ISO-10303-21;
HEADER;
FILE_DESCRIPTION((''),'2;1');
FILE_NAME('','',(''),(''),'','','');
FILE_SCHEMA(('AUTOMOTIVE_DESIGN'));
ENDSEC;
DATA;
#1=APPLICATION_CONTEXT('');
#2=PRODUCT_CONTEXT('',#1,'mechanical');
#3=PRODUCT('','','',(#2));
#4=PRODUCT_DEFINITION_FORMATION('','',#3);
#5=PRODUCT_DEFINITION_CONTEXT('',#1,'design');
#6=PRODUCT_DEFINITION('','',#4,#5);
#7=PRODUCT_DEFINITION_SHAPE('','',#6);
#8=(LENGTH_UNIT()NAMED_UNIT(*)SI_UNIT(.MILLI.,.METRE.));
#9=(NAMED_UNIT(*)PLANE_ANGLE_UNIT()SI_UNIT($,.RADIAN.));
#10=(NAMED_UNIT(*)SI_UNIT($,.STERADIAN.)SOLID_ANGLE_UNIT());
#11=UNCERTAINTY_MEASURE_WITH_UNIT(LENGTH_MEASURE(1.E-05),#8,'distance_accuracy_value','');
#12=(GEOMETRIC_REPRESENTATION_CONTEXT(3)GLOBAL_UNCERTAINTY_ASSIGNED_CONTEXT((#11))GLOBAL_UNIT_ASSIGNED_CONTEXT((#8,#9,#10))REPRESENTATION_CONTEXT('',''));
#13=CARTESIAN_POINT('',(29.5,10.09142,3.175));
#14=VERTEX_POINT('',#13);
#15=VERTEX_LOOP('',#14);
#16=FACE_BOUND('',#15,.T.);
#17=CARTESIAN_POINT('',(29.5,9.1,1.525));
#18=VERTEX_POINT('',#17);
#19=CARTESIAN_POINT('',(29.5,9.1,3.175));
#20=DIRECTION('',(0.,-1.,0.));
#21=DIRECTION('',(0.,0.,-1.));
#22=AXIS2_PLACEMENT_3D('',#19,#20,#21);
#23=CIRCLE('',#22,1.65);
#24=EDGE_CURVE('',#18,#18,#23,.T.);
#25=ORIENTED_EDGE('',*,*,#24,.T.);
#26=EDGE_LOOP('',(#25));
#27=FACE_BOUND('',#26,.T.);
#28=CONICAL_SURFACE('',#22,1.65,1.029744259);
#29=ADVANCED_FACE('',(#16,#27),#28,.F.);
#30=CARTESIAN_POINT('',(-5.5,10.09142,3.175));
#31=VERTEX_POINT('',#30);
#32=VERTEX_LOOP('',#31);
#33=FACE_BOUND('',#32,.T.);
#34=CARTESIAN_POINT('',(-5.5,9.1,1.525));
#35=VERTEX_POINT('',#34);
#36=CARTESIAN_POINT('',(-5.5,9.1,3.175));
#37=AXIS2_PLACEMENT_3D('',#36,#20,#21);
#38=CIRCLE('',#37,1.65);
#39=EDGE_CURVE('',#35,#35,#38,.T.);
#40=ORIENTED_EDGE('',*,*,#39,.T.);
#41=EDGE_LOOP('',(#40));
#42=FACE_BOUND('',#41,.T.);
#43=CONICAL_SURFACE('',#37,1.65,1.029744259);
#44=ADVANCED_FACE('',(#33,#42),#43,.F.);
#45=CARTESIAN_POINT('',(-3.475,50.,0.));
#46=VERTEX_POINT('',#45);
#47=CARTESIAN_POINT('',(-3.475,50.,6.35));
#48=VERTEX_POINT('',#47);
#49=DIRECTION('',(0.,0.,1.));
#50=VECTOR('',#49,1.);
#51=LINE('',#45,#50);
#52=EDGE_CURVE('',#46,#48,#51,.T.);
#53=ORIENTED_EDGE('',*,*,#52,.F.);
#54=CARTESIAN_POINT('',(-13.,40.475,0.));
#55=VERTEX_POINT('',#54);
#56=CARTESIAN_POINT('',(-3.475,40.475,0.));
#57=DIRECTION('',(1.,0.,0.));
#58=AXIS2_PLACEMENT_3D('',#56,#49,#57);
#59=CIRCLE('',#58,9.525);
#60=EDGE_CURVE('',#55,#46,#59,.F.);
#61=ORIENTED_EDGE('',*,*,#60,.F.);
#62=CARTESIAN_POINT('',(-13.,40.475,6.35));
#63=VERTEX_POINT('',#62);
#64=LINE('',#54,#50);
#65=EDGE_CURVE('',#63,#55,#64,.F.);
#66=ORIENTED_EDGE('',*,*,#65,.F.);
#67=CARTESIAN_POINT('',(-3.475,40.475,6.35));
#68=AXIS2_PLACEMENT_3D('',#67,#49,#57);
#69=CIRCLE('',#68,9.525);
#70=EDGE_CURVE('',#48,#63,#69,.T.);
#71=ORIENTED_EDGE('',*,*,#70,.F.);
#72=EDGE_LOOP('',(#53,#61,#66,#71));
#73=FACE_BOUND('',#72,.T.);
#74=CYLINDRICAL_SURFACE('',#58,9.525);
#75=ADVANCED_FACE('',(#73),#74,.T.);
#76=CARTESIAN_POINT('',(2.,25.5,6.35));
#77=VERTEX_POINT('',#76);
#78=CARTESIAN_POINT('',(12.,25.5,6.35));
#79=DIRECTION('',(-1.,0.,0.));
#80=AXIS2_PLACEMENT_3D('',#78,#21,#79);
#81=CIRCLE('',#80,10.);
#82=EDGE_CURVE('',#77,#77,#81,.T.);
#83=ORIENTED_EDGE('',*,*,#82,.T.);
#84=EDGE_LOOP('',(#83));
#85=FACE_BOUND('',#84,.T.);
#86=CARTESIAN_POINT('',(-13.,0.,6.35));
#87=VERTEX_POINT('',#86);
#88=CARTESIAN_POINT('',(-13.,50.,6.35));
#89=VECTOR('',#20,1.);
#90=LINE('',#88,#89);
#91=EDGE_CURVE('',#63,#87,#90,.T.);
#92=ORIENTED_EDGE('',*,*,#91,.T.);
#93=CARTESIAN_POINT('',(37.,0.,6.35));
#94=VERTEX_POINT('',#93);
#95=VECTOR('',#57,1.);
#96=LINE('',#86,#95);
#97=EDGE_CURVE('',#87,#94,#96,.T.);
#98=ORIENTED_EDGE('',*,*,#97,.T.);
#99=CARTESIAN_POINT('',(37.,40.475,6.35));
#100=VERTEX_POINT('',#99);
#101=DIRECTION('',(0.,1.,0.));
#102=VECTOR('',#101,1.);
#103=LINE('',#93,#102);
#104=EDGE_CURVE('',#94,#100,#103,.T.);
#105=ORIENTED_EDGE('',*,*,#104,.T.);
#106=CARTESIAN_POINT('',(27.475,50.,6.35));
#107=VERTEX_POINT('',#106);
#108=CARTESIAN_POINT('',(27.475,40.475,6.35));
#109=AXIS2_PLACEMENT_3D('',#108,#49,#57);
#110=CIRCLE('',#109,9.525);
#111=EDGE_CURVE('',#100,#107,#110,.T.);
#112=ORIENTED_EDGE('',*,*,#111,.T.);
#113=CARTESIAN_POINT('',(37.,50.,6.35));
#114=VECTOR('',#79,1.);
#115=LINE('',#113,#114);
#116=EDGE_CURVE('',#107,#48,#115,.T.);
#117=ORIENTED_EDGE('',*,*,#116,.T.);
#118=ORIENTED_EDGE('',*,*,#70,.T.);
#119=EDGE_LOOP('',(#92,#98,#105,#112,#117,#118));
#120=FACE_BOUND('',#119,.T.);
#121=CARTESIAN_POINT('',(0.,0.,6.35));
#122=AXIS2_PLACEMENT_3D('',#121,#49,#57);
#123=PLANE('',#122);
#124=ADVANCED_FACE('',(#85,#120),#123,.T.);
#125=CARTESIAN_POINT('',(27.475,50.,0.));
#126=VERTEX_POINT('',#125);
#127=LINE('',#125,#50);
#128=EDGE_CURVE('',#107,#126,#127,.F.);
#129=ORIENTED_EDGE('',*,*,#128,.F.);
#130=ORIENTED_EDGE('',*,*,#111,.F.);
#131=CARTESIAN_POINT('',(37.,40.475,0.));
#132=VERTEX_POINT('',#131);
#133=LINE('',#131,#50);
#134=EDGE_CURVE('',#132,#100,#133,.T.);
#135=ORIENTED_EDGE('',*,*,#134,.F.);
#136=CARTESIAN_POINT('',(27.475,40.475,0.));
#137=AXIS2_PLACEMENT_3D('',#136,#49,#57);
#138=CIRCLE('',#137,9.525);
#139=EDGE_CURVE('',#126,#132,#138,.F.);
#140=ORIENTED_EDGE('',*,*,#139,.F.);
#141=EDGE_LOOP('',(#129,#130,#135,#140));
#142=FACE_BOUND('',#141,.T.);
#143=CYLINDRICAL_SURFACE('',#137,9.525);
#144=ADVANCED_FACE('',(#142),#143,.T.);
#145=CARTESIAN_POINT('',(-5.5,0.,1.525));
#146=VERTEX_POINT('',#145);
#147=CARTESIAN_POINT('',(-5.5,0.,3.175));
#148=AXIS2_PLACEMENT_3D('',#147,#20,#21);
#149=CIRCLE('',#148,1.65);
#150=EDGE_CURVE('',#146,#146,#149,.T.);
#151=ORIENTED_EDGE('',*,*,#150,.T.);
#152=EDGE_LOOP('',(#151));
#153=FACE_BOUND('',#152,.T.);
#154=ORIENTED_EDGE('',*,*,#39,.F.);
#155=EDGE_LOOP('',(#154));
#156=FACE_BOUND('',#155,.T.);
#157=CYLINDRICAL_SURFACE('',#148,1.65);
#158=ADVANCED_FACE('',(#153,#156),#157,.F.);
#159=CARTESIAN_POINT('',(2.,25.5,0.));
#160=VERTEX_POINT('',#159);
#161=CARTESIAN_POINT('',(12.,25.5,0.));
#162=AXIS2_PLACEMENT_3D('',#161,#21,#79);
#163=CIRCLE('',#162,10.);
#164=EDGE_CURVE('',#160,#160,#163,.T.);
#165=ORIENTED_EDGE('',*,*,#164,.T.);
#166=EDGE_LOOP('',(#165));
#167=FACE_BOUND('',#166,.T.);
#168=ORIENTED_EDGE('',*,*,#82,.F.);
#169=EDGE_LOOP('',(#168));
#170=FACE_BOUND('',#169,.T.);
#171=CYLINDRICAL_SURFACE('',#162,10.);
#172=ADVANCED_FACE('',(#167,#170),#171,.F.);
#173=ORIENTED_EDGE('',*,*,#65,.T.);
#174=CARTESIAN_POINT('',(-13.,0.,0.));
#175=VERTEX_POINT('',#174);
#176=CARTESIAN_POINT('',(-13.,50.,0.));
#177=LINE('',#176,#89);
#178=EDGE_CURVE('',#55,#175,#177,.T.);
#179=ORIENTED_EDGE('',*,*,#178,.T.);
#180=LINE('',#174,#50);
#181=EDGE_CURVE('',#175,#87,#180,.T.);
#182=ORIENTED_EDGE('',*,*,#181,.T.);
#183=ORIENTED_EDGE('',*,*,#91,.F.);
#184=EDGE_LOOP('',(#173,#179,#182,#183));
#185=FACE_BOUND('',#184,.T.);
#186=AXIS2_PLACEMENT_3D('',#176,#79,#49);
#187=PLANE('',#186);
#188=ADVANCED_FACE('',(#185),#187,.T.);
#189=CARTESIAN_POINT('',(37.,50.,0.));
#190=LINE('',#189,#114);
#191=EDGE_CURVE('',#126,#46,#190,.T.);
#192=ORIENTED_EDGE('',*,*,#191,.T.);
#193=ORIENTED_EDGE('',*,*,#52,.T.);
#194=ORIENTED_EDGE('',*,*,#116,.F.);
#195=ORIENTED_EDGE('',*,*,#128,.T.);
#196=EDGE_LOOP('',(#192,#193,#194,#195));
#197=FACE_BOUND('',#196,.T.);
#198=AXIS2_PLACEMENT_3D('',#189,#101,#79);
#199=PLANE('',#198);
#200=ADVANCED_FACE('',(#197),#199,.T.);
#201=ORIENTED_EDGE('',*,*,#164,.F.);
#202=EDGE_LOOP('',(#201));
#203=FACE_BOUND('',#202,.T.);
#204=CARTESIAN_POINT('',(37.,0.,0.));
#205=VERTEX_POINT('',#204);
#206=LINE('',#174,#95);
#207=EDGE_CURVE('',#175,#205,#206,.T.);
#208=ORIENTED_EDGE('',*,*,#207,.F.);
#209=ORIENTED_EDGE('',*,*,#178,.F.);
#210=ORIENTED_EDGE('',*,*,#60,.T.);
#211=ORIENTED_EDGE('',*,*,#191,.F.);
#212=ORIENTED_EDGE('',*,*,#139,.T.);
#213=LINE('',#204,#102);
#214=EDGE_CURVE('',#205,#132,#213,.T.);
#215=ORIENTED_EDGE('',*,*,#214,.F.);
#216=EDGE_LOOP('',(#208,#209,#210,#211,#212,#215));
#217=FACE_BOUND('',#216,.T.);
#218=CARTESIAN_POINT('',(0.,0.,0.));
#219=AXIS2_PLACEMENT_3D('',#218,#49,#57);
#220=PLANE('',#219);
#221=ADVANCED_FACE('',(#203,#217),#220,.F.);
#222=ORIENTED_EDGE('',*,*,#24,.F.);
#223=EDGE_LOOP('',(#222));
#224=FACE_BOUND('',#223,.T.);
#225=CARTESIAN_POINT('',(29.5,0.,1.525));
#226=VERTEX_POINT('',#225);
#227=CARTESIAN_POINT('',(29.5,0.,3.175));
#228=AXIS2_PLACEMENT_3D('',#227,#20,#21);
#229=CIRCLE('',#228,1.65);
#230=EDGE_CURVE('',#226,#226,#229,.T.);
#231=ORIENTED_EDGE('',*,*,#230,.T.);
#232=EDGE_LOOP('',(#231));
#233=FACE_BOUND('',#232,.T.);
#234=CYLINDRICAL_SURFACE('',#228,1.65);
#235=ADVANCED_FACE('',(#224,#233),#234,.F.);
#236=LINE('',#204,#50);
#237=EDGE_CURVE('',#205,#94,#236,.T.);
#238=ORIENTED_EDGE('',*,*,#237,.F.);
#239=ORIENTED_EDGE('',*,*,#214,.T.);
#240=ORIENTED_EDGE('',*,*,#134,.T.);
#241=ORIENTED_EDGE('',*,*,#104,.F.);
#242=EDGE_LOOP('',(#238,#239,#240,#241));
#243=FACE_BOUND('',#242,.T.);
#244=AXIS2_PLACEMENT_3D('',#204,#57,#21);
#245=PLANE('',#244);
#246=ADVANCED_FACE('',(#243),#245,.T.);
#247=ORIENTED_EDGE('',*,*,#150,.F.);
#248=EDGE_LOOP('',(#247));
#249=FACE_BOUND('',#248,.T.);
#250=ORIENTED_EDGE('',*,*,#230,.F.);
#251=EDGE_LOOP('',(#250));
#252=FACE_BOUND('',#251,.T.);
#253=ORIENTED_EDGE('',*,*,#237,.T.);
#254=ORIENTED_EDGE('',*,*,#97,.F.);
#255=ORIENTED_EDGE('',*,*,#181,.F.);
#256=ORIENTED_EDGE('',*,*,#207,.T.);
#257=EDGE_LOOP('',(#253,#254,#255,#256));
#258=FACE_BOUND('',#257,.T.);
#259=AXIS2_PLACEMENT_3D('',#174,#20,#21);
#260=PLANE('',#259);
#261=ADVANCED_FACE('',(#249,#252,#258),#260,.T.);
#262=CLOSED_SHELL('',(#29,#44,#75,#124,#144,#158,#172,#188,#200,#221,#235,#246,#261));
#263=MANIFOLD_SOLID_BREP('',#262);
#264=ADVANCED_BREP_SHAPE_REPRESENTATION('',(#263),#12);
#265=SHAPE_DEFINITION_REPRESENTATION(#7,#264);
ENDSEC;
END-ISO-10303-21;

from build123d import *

# Parameters (mm, degrees)
ESBO_O1_W                        = 50
ESBO_O1_H                        = 50
RESSALTO_EXTRUS_O1_DEPTH         = 6.35
FURO_COM_FOLGA_DE_M131_D         = 20
FURO_DE_DI_METRO_3_3_3_3_2_D     = 3.3
FURO_DE_DI_METRO_3_3_3_3_2_DEPTH = 9.1
FURO_DE_DI_METRO_3_3_3_3_2_TIP   = 0.991420021
FILETE1_R                        = 9.525


with BuildPart() as part:
    # Esboço1 → Ressalto-extrusão1 (new body)
    with BuildSketch(Plane.XY.offset(6.35)):
        with Locations((12, 25)):
            Rectangle(ESBO_O1_W, ESBO_O1_H)
    extrude(amount=-RESSALTO_EXTRUS_O1_DEPTH)

    # Furo com folga de M131 (through all)
    with Locations(Plane(origin=(0, 0, 0), x_dir=(-1, 0, 0), z_dir=(0, 0, -1))):
        with Locations((-12, 25.5)):
            Hole(FURO_COM_FOLGA_DE_M131_D / 2)

    # Furo de diâmetro Ø3.3 (3.3)2
    with Locations(Plane(origin=(0, 0, 0), x_dir=(-1, 0, 0), z_dir=(0, -1, 0))):
        with Locations((5.5, -3.175), (-29.5, -3.175)):
            Hole(FURO_DE_DI_METRO_3_3_3_3_2_D / 2, depth=FURO_DE_DI_METRO_3_3_3_3_2_DEPTH)
            with Locations((0, 0, -(FURO_DE_DI_METRO_3_3_3_3_2_DEPTH + FURO_DE_DI_METRO_3_3_3_3_2_TIP / 2))):  # 118° drill point
                Cone(0, FURO_DE_DI_METRO_3_3_3_3_2_D / 2, FURO_DE_DI_METRO_3_3_3_3_2_TIP, mode=Mode.SUBTRACT)

    # Filete1
    filete1_edges = [part.edges().sort_by_distance(p)[0] for p in [
        (-13, 50, 3.175),
        (37, 50, 3.175),
    ]]
    fillet(filete1_edges, radius=FILETE1_R)


solid = part.part
